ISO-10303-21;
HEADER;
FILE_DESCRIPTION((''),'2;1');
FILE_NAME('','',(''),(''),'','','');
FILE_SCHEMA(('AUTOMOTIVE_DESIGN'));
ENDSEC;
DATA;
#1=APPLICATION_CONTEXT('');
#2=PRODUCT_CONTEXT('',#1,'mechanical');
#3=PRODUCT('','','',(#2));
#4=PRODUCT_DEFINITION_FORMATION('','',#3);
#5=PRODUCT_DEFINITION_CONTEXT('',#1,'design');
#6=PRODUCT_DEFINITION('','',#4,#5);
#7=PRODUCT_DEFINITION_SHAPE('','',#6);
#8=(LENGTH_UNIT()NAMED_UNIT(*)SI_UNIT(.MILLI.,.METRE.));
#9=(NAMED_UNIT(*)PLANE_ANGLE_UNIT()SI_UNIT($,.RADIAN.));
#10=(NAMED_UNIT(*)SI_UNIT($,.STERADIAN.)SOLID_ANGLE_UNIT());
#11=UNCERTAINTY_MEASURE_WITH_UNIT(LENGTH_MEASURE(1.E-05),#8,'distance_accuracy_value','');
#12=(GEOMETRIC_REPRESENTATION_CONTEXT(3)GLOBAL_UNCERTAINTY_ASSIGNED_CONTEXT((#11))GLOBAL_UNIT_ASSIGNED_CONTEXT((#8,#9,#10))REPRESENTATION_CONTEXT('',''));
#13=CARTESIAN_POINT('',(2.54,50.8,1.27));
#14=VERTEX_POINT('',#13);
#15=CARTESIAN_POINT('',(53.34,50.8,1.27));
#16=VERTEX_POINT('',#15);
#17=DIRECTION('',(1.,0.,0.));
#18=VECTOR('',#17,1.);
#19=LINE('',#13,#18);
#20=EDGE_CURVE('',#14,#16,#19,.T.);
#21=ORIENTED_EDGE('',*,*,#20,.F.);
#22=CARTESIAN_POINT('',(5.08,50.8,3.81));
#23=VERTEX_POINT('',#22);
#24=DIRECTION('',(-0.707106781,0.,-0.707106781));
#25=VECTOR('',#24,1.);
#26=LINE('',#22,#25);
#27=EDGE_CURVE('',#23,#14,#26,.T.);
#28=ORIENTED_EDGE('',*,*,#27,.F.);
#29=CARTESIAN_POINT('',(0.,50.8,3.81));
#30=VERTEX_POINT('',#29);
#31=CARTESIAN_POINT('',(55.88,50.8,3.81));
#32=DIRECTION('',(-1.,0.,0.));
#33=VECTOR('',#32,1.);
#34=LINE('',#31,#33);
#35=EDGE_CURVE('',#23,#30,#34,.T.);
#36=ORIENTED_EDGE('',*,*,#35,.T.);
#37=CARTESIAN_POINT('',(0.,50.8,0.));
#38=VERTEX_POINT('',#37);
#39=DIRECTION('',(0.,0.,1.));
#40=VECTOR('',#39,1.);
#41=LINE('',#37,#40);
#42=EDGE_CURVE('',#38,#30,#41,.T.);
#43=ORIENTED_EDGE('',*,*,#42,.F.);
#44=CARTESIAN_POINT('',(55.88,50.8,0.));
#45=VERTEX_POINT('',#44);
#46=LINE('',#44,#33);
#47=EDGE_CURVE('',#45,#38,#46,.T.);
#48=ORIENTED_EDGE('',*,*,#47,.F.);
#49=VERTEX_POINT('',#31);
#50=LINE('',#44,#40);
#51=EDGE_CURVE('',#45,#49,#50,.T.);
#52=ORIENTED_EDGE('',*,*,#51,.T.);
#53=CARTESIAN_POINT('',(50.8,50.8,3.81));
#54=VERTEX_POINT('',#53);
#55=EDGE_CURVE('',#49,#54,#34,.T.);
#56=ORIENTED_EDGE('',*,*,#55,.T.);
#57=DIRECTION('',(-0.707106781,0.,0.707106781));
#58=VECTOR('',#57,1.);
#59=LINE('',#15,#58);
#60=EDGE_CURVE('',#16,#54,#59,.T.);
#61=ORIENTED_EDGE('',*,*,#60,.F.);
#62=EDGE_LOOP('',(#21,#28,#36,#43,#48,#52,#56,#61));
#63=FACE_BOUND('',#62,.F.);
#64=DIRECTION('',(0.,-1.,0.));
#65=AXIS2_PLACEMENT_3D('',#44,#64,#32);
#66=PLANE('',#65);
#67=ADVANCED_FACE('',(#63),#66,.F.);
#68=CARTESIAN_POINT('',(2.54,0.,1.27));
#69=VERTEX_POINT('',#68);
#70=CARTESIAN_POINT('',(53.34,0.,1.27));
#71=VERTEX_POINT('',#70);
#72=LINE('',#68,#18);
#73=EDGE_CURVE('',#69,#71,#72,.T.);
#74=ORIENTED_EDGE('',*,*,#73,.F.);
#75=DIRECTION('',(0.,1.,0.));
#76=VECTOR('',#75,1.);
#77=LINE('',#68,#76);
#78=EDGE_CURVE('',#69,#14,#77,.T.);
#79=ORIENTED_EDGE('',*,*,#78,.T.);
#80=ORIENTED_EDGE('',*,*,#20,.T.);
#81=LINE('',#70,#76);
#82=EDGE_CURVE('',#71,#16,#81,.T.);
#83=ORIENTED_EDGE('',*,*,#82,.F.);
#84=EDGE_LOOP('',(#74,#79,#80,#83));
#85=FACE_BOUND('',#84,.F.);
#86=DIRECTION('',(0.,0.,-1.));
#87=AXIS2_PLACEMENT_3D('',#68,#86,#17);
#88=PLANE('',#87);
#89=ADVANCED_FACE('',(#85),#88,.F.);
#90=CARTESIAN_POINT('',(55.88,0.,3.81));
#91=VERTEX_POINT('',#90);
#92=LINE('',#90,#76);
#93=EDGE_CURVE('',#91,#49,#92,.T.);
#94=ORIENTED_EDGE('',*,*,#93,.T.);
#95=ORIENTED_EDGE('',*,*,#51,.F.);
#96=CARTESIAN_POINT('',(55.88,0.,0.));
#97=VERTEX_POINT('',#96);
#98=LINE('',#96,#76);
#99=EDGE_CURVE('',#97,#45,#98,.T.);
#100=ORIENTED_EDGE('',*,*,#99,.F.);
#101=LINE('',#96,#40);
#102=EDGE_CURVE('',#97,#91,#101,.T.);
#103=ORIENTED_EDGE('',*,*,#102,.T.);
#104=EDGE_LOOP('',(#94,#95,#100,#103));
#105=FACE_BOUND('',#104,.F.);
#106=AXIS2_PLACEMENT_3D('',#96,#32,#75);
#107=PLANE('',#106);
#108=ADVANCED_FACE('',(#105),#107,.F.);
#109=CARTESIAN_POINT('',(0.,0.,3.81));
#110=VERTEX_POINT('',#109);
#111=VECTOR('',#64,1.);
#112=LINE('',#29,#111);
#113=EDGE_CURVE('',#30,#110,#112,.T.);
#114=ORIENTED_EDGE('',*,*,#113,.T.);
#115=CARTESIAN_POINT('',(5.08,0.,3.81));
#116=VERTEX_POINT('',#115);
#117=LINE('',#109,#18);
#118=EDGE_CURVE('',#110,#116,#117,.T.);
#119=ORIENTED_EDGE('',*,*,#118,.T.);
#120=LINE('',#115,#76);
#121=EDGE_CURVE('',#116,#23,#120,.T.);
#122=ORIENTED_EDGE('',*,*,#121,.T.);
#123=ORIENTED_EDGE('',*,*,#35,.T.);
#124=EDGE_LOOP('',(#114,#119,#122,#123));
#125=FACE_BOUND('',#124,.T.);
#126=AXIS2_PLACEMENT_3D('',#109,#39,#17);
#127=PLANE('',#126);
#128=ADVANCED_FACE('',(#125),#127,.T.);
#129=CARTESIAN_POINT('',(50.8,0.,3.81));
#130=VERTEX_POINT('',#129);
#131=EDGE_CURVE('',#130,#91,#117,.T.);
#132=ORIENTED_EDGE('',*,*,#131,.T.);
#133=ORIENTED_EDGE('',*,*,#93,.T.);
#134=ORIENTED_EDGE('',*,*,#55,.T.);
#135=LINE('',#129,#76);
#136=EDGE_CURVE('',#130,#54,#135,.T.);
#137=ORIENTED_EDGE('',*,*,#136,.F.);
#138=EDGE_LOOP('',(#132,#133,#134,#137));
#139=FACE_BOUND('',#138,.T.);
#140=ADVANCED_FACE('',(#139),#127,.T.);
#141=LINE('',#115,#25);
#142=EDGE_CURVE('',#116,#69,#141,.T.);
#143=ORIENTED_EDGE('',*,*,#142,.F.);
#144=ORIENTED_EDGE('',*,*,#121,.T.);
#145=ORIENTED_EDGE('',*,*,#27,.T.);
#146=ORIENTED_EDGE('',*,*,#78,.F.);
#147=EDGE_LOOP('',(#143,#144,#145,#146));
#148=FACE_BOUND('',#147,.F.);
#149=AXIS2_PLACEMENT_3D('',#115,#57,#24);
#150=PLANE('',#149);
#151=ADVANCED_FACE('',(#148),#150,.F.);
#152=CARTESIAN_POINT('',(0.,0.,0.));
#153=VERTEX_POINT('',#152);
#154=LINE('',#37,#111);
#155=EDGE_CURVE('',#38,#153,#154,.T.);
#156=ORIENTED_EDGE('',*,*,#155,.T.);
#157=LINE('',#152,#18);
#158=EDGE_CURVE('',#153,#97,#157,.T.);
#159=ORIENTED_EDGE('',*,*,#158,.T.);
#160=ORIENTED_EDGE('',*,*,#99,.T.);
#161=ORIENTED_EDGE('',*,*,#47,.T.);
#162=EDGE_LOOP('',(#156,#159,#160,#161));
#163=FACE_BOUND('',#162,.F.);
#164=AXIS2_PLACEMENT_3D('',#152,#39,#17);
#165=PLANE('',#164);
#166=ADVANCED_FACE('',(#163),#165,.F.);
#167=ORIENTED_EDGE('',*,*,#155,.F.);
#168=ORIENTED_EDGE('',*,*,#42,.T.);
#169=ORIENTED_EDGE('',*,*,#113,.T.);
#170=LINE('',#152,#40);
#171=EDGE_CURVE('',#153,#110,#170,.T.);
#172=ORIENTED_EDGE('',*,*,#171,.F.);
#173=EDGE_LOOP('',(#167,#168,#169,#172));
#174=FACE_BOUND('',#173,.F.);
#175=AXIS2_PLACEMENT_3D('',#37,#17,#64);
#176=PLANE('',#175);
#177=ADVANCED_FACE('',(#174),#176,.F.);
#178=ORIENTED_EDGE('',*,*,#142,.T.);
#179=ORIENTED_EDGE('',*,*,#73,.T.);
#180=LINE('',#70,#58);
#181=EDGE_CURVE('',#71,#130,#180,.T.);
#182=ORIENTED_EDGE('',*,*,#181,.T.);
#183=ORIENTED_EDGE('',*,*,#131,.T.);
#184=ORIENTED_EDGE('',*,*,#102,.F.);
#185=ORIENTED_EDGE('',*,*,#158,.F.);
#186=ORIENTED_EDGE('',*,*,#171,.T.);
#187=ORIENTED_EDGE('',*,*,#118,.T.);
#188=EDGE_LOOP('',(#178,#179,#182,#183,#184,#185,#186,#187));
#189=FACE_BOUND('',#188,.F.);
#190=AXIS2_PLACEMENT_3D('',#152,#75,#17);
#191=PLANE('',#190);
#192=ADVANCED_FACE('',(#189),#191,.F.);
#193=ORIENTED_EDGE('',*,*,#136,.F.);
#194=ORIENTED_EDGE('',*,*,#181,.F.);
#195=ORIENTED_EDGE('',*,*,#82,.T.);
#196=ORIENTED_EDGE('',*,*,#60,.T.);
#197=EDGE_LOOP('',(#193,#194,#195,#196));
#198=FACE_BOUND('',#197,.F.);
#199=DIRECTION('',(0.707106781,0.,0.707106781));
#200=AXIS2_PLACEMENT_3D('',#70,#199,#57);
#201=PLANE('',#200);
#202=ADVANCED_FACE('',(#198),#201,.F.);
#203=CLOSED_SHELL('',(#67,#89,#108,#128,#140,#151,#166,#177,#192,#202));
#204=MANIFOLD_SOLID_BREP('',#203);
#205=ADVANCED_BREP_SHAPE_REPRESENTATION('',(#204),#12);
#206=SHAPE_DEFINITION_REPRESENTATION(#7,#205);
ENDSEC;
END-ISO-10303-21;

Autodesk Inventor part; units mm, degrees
ref_plane "YZ Plane" through (0, 0, 0) normal (1, 0, 0) x (0, 1, 0)
ref_plane "XZ Plane" through (0, 0, 0) normal (0, 1, 0) x (-1, 0, 0)
ref_plane "XY Plane" through (0, 0, 0) normal (0, 0, 1) x (1, 0, 0)
sketch "Sketch1" plane through (0, 0, 0) normal (0, 0, 1) x (1, 0, 0)
  line L0 (0, 0) -> (55.88, 0)
  line L1 (55.88, 0) -> (55.88, 50.8)
  line L2 (55.88, 50.8) -> (0, 50.8)
  line L3 (0, 50.8) -> (0, 0)
  dimension "d0" = 55.88
  dimension "d1" = 50.8
extrude "Extrusion1" add sketch "Sketch1" along normal blind 3.81
sketch "Sketch2" plane through (0, 0, 0) normal (0, -1, 0) x (1, 0, 0)
  line L0 (0, 3.81) -> (55.88, 3.81) projected
  line L1 (5.08, 3.81) -> (2.54, 1.27)
  line L2 (2.54, 1.27) -> (53.34, 1.27)
  line L3 (53.34, 1.27) -> (50.8, 3.81)
  line L4 (5.08, 3.81) -> (50.8, 3.81)
  line L5 (0, 0) -> (0, 3.81) projected
  line L6 (0, 0) -> (55.88, 0) projected
  line L7 (55.88, 0) -> (55.88, 3.81) projected
  dimension "d4" = 45
  dimension "d5" = 45
  dimension "d6" = 45.72
  dimension "d7" = 2.54
  dimension "d8" = 1.27
  dimension "d12" = 2.54
  dimension "d13" = 2.54
extrude "Extrusion2" cut sketch "Sketch2" against normal blind 50.8 contours L0 L3 L2 L1
properties part number "nano_enclosure_modular_sidelock"
